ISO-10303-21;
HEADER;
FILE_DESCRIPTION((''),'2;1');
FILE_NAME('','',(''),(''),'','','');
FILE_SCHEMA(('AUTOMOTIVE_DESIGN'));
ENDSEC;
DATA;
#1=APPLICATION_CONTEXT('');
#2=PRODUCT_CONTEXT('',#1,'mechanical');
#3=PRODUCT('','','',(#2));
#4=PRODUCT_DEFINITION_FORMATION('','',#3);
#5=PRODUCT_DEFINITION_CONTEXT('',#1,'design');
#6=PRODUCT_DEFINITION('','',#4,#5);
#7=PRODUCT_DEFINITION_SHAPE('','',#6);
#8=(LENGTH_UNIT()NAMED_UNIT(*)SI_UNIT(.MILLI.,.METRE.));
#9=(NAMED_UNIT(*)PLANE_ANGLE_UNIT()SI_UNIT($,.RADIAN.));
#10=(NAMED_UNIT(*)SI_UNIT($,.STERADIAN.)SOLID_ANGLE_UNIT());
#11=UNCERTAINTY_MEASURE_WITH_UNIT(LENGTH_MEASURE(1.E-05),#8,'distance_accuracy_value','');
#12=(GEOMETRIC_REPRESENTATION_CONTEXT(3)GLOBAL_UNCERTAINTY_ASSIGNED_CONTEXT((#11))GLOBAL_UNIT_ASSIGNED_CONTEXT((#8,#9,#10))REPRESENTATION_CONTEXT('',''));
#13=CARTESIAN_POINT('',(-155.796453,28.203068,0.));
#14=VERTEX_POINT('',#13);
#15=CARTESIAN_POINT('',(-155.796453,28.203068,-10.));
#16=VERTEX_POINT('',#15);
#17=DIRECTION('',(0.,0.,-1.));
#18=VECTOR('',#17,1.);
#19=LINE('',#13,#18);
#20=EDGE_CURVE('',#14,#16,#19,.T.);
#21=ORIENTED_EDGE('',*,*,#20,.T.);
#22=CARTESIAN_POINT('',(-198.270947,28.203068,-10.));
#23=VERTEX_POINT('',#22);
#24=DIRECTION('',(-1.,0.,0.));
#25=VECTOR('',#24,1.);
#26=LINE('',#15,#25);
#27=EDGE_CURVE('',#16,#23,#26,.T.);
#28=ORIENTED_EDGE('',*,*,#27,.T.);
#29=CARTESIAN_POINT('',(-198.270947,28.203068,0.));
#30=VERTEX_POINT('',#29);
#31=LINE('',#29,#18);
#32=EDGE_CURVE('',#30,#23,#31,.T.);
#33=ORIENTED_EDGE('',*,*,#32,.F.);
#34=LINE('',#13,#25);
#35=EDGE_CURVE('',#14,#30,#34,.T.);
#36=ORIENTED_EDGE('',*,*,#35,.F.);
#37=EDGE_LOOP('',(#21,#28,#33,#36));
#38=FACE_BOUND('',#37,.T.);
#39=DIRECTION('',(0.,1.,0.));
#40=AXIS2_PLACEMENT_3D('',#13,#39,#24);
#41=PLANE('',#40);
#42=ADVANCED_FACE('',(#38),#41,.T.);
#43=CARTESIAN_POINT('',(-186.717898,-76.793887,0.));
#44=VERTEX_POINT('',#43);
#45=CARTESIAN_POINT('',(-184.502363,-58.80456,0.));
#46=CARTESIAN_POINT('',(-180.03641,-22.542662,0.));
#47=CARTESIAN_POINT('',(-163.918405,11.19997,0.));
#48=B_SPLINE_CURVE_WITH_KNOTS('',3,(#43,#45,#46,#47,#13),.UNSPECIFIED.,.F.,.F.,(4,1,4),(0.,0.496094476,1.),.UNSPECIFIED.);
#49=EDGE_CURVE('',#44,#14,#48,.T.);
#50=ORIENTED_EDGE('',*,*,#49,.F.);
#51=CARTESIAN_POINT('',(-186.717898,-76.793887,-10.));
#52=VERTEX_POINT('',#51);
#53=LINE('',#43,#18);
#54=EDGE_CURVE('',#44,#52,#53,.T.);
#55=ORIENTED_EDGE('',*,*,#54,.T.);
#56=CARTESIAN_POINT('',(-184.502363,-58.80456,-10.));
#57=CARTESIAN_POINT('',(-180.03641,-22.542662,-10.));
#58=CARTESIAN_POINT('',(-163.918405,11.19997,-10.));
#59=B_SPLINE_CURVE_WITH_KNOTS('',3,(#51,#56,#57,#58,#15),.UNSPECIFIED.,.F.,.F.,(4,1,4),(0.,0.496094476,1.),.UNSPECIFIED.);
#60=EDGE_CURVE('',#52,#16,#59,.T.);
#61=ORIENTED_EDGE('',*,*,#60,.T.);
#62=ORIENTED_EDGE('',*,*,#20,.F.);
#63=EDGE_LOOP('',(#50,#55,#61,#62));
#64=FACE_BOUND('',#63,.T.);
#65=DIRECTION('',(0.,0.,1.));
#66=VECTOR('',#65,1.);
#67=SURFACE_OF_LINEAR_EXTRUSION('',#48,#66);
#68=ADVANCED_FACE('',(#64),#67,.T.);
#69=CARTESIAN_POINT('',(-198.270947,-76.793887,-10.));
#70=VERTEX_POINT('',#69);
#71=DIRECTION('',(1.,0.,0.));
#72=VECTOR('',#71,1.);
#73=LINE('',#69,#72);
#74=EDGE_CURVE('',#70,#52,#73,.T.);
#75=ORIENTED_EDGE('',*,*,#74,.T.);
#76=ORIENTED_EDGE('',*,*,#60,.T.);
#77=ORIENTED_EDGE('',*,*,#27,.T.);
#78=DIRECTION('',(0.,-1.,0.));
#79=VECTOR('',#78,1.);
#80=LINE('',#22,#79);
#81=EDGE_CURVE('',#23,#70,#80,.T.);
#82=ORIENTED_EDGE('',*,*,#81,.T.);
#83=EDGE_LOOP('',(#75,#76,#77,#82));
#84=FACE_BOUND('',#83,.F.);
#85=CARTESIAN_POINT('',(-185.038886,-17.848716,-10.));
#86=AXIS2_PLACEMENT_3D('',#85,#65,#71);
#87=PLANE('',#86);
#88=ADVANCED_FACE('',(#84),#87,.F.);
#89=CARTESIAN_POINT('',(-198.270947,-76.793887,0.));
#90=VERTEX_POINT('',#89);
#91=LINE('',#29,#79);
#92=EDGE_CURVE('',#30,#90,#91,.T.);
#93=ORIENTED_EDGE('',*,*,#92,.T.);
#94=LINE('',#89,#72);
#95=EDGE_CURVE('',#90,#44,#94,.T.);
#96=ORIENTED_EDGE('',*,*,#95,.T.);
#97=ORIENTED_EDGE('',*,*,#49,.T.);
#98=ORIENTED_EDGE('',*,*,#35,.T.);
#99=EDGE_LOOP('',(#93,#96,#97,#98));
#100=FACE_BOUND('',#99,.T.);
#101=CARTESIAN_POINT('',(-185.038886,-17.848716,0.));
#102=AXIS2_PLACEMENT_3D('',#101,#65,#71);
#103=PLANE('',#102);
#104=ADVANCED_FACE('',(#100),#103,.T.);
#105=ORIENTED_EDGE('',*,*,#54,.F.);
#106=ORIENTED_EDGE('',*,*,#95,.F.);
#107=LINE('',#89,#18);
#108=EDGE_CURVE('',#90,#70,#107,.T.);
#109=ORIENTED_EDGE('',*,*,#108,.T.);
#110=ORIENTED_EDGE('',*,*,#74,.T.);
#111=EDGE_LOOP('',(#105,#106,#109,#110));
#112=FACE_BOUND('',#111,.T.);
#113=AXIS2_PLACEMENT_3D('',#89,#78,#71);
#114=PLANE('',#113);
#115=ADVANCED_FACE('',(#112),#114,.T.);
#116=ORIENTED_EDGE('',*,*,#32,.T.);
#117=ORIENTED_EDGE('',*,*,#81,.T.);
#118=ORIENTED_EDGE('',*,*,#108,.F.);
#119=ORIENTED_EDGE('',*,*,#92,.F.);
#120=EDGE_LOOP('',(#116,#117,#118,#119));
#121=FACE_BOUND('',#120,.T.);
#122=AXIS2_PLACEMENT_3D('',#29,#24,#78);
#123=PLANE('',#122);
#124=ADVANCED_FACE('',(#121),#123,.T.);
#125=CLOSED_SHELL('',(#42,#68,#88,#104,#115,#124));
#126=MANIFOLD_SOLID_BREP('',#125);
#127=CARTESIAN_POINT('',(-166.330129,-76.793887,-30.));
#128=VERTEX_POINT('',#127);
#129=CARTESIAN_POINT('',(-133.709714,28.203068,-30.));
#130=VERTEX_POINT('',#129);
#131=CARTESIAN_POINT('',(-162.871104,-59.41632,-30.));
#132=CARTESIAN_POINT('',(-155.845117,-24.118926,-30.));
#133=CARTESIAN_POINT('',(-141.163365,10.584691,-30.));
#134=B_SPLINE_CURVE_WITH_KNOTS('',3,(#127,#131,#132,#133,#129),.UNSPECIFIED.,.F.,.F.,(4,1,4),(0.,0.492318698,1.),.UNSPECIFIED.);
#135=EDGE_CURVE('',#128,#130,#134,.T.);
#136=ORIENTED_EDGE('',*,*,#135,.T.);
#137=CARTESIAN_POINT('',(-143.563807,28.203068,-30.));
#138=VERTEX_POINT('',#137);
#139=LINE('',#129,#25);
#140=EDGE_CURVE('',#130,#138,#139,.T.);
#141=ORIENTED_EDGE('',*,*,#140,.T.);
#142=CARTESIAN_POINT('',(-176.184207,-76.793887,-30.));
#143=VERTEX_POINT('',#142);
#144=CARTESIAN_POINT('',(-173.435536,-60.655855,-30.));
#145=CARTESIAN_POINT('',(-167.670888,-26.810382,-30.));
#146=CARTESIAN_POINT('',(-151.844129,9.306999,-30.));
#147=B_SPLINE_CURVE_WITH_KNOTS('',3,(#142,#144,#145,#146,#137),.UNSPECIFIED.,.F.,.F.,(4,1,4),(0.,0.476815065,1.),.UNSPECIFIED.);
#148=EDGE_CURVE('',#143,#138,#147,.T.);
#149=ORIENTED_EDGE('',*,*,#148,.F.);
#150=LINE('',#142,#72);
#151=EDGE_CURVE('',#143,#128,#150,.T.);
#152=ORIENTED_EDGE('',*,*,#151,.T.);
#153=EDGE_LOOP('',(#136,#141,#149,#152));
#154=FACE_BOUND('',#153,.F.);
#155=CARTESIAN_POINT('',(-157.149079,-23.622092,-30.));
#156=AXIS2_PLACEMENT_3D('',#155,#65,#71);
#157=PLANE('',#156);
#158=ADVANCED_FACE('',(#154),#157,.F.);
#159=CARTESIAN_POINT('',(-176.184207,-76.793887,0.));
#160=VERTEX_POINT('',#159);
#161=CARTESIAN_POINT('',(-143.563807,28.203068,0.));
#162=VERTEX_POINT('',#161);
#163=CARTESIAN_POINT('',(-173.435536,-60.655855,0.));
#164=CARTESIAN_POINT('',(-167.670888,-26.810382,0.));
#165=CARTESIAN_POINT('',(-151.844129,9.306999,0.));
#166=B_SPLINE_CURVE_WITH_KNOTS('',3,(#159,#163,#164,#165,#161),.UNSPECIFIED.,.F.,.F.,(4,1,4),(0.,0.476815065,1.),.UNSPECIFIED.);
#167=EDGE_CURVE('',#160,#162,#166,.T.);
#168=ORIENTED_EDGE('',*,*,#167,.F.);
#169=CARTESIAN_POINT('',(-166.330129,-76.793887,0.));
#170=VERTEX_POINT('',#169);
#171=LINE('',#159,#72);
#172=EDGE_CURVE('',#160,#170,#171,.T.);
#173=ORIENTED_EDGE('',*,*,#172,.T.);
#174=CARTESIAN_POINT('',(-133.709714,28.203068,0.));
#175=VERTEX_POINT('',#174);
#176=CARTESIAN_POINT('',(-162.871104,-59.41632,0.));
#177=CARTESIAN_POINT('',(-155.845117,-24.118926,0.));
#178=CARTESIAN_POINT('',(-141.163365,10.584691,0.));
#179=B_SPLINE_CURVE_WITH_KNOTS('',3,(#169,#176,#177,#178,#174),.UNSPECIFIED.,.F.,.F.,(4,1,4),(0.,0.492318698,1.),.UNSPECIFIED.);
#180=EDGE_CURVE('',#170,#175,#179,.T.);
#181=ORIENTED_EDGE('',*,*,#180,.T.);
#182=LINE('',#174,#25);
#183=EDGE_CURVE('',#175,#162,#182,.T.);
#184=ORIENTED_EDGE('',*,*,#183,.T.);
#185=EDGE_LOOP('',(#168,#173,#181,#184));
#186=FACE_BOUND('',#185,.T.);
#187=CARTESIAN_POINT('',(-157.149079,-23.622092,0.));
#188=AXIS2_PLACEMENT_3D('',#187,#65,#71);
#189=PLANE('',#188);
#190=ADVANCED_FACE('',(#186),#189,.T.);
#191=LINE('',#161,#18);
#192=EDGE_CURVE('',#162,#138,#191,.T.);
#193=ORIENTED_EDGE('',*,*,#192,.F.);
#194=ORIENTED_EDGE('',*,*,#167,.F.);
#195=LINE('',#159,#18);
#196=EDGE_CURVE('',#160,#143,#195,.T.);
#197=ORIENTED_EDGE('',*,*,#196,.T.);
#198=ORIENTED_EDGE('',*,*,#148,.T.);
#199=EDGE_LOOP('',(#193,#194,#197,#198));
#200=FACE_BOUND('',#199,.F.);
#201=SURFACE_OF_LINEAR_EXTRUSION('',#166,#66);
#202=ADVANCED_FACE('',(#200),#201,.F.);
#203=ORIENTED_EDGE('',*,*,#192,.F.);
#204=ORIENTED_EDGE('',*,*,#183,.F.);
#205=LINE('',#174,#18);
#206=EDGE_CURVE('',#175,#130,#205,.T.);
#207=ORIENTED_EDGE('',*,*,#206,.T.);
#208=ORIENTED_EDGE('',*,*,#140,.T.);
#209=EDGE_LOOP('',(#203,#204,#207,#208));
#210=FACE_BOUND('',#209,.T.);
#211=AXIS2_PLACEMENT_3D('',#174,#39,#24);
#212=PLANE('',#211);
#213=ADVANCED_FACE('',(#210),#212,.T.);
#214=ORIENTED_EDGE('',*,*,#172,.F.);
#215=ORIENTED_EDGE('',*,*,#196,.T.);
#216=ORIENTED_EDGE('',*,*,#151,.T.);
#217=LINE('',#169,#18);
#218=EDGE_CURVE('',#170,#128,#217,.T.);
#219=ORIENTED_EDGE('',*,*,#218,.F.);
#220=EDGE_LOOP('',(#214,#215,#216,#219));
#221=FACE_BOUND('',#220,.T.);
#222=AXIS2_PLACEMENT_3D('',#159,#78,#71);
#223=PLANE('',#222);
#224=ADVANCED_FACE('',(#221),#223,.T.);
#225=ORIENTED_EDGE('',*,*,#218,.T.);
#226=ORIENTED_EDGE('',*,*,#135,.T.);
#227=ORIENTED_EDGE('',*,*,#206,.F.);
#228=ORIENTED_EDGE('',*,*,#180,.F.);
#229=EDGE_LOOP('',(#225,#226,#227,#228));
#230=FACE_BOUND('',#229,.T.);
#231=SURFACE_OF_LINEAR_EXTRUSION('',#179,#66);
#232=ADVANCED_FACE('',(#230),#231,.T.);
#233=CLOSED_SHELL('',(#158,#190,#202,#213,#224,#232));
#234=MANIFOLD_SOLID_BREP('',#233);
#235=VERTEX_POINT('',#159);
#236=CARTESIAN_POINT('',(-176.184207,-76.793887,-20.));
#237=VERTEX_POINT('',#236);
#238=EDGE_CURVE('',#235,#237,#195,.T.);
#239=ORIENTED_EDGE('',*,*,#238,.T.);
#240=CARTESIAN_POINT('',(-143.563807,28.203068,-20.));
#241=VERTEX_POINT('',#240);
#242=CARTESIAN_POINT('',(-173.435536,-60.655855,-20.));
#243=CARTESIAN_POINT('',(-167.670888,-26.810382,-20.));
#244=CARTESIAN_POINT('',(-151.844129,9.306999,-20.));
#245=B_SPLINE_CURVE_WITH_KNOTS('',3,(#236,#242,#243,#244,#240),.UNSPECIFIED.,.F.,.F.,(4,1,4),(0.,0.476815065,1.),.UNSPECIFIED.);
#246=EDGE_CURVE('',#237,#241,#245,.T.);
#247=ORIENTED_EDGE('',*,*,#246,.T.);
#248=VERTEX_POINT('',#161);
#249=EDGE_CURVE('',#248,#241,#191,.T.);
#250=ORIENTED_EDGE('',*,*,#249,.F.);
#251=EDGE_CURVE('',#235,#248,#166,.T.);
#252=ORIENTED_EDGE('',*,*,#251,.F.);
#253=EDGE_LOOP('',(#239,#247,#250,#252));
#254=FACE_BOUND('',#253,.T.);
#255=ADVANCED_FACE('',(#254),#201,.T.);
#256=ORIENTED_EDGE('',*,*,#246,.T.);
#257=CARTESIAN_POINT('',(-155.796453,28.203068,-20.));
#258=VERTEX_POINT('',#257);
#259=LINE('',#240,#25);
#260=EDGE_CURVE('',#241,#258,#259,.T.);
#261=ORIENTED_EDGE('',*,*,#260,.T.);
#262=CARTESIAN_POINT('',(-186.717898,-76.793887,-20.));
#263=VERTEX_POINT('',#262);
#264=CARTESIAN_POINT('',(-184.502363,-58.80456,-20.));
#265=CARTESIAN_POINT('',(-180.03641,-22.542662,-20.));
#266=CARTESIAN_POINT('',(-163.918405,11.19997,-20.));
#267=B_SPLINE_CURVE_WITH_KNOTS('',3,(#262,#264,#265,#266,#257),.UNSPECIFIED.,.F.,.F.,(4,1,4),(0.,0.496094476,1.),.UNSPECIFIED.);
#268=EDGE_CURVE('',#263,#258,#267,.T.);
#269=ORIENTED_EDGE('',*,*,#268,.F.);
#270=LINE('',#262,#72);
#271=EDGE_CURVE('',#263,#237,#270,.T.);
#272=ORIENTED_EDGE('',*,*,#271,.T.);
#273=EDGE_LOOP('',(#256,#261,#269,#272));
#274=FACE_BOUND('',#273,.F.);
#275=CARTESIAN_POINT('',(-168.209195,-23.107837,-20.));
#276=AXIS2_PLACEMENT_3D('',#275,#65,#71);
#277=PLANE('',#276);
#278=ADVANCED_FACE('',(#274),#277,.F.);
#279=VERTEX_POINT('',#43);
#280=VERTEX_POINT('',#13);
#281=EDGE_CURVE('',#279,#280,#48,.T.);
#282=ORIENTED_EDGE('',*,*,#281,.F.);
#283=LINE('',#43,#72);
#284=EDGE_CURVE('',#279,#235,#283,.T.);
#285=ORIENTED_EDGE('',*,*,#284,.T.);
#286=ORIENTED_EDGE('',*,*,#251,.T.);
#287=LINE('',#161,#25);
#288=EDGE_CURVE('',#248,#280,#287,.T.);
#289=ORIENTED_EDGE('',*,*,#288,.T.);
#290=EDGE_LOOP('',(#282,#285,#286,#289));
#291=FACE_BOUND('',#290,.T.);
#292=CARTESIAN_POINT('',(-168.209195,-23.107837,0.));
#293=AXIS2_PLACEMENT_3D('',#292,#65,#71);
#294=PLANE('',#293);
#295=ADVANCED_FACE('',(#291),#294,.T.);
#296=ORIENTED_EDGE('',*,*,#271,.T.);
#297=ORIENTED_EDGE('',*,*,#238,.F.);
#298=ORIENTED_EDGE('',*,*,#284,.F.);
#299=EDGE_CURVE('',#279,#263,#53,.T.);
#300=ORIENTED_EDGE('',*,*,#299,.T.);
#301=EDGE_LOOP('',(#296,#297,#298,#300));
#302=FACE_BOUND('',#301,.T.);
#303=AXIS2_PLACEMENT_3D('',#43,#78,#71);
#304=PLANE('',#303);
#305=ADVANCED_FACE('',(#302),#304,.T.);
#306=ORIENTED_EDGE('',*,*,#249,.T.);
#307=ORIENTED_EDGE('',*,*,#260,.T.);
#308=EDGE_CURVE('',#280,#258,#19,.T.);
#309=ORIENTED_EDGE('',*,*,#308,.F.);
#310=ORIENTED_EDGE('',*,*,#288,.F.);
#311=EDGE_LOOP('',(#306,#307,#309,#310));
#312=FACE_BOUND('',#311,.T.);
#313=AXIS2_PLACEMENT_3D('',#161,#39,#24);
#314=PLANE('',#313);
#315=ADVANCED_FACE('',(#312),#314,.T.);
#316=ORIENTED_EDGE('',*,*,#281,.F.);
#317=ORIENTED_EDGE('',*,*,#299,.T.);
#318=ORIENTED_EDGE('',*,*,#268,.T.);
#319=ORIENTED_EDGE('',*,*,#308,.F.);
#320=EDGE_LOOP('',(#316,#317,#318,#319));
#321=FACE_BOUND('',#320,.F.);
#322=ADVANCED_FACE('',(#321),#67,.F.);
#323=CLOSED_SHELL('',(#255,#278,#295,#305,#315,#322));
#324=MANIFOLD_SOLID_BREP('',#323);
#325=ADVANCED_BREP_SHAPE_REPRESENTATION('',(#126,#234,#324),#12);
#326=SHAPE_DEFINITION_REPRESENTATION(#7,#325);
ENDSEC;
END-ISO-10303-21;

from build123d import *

# Parameters (mm, degrees)
F1_DEPTH = 10
F2_DEPTH = 20
F3_DEPTH = 30


with BuildPart() as f1:
    # F0 (on Top) → F1 (new body)
    with BuildSketch(Plane.XY):
        with BuildLine():
            Line((-155.7964533567, 28.2030683011), (-198.2709467411, 28.2030683011))
            Line((-198.2709467411, 28.2030683011), (-198.2709467411, -76.7938867211))
            Line((-198.2709467411, -76.7938867211), (-186.7178976536, -76.7938867211))
            add(Edge.make_bspline(
                [(-186.7178976536, -76.7938867211), (-184.5023630807, -58.8045595065), (-180.0364101654, -22.5426616764), (-163.9184051264, 11.1999698777), (-155.7964533567, 28.2030683011)],
                knots=[0, 0, 0, 0, 0.4960944763, 1, 1, 1, 1], degree=3))
        make_face()
    extrude(amount=-F1_DEPTH)


with BuildPart() as f2:
    # F0 (on Top) → F2 (new body)
    with BuildSketch(Plane.XY):
        with BuildLine():
            Line((-143.5638070107, 28.2030683011), (-155.7964533567, 28.2030683011))
            add(Edge.make_bspline(
                [(-186.7178976536, -76.7938867211), (-184.5023630807, -58.8045595065), (-180.0364101654, -22.5426616764), (-163.9184051264, 11.1999698777), (-155.7964533567, 28.2030683011)],
                knots=[0, 0, 0, 0, 0.4960944763, 1, 1, 1, 1], degree=3))
            Line((-186.7178976536, -76.7938867211), (-176.184207201, -76.7938867211))
            add(Edge.make_bspline(
                [(-176.184207201, -76.7938867211), (-173.4355359871, -60.6558550722), (-167.6708875572, -26.8103815443), (-151.8441287787, 9.3069989322), (-143.5638070107, 28.2030683011)],
                knots=[0, 0, 0, 0, 0.4768150647, 1, 1, 1, 1], degree=3))
        make_face()
    extrude(amount=-F2_DEPTH)


with BuildPart() as f3:
    # F0 (on Top) → F3 (new body)
    with BuildSketch(Plane.XY):
        with BuildLine():
            Line((-133.7097138166, 28.2030683011), (-143.5638070107, 28.2030683011))
            add(Edge.make_bspline(
                [(-176.184207201, -76.7938867211), (-173.4355359871, -60.6558550722), (-167.6708875572, -26.8103815443), (-151.8441287787, 9.3069989322), (-143.5638070107, 28.2030683011)],
                knots=[0, 0, 0, 0, 0.4768150647, 1, 1, 1, 1], degree=3))
            Line((-176.184207201, -76.7938867211), (-166.3301289082, -76.7938867211))
            add(Edge.make_bspline(
                [(-166.3301289082, -76.7938867211), (-162.8711040579, -59.4163198767), (-155.8451169004, -24.1189263154), (-141.1633648246, 10.584690789), (-133.7097138166, 28.2030683011)],
                knots=[0, 0, 0, 0, 0.4923186981, 1, 1, 1, 1], degree=3))
        make_face()
    extrude(amount=-F3_DEPTH)


solid = Compound([f1.part, f2.part, f3.part])
